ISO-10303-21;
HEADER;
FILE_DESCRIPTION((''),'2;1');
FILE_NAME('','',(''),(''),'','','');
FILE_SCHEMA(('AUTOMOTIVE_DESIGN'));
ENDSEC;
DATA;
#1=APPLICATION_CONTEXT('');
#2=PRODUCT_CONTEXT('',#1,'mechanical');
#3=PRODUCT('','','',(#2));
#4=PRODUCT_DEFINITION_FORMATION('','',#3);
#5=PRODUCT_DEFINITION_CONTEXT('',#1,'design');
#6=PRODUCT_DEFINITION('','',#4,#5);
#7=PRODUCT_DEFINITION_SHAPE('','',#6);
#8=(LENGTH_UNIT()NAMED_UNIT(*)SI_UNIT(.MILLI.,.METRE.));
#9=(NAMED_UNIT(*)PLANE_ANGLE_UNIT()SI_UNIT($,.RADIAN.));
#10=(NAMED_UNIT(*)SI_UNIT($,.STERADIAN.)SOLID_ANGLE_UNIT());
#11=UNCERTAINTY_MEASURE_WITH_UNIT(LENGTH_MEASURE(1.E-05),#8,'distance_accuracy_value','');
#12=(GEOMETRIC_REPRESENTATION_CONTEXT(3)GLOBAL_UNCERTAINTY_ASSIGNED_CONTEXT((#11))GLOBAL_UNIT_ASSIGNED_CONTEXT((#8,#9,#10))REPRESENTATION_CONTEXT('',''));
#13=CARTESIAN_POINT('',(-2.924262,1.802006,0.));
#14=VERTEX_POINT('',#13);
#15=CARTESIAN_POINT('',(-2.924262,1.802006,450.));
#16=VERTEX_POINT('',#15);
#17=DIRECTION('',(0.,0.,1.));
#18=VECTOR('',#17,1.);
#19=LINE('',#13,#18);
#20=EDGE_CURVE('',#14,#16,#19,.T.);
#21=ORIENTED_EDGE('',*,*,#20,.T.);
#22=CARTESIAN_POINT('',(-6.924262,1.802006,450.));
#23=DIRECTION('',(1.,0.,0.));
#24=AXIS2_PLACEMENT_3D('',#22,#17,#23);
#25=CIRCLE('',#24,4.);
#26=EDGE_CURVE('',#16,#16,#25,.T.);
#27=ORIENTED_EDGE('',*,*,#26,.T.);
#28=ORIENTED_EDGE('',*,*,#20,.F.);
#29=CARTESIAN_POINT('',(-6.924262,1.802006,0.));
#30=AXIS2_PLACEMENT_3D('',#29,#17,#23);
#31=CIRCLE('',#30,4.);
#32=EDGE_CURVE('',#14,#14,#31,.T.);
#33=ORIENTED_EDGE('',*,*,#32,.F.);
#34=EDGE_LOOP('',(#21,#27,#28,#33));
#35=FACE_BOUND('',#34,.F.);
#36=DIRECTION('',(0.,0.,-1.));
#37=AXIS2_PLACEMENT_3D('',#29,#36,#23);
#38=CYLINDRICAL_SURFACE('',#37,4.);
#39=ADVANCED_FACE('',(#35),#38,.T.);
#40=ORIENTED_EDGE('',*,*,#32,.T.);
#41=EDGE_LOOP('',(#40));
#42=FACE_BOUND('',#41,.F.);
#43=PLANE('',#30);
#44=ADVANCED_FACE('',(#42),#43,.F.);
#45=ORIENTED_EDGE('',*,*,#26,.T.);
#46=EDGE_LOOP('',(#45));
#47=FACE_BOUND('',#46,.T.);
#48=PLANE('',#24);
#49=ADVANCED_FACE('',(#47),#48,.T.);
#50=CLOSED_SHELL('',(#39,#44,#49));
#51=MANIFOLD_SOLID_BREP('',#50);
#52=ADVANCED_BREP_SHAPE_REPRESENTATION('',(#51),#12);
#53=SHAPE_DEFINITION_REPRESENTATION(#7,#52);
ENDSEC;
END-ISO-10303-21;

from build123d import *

# Parameters (mm, degrees)
SKETCH1_R           = 4
BOSS_EXTRUDE1_DEPTH = 450


with BuildPart() as part:
    # Sketch1 → Boss-Extrude1 (new body)
    with BuildSketch(Plane.XY):
        with Locations((-6.92426235, 1.80200632)):
            Circle(SKETCH1_R)
    extrude(amount=BOSS_EXTRUDE1_DEPTH)


solid = part.part
